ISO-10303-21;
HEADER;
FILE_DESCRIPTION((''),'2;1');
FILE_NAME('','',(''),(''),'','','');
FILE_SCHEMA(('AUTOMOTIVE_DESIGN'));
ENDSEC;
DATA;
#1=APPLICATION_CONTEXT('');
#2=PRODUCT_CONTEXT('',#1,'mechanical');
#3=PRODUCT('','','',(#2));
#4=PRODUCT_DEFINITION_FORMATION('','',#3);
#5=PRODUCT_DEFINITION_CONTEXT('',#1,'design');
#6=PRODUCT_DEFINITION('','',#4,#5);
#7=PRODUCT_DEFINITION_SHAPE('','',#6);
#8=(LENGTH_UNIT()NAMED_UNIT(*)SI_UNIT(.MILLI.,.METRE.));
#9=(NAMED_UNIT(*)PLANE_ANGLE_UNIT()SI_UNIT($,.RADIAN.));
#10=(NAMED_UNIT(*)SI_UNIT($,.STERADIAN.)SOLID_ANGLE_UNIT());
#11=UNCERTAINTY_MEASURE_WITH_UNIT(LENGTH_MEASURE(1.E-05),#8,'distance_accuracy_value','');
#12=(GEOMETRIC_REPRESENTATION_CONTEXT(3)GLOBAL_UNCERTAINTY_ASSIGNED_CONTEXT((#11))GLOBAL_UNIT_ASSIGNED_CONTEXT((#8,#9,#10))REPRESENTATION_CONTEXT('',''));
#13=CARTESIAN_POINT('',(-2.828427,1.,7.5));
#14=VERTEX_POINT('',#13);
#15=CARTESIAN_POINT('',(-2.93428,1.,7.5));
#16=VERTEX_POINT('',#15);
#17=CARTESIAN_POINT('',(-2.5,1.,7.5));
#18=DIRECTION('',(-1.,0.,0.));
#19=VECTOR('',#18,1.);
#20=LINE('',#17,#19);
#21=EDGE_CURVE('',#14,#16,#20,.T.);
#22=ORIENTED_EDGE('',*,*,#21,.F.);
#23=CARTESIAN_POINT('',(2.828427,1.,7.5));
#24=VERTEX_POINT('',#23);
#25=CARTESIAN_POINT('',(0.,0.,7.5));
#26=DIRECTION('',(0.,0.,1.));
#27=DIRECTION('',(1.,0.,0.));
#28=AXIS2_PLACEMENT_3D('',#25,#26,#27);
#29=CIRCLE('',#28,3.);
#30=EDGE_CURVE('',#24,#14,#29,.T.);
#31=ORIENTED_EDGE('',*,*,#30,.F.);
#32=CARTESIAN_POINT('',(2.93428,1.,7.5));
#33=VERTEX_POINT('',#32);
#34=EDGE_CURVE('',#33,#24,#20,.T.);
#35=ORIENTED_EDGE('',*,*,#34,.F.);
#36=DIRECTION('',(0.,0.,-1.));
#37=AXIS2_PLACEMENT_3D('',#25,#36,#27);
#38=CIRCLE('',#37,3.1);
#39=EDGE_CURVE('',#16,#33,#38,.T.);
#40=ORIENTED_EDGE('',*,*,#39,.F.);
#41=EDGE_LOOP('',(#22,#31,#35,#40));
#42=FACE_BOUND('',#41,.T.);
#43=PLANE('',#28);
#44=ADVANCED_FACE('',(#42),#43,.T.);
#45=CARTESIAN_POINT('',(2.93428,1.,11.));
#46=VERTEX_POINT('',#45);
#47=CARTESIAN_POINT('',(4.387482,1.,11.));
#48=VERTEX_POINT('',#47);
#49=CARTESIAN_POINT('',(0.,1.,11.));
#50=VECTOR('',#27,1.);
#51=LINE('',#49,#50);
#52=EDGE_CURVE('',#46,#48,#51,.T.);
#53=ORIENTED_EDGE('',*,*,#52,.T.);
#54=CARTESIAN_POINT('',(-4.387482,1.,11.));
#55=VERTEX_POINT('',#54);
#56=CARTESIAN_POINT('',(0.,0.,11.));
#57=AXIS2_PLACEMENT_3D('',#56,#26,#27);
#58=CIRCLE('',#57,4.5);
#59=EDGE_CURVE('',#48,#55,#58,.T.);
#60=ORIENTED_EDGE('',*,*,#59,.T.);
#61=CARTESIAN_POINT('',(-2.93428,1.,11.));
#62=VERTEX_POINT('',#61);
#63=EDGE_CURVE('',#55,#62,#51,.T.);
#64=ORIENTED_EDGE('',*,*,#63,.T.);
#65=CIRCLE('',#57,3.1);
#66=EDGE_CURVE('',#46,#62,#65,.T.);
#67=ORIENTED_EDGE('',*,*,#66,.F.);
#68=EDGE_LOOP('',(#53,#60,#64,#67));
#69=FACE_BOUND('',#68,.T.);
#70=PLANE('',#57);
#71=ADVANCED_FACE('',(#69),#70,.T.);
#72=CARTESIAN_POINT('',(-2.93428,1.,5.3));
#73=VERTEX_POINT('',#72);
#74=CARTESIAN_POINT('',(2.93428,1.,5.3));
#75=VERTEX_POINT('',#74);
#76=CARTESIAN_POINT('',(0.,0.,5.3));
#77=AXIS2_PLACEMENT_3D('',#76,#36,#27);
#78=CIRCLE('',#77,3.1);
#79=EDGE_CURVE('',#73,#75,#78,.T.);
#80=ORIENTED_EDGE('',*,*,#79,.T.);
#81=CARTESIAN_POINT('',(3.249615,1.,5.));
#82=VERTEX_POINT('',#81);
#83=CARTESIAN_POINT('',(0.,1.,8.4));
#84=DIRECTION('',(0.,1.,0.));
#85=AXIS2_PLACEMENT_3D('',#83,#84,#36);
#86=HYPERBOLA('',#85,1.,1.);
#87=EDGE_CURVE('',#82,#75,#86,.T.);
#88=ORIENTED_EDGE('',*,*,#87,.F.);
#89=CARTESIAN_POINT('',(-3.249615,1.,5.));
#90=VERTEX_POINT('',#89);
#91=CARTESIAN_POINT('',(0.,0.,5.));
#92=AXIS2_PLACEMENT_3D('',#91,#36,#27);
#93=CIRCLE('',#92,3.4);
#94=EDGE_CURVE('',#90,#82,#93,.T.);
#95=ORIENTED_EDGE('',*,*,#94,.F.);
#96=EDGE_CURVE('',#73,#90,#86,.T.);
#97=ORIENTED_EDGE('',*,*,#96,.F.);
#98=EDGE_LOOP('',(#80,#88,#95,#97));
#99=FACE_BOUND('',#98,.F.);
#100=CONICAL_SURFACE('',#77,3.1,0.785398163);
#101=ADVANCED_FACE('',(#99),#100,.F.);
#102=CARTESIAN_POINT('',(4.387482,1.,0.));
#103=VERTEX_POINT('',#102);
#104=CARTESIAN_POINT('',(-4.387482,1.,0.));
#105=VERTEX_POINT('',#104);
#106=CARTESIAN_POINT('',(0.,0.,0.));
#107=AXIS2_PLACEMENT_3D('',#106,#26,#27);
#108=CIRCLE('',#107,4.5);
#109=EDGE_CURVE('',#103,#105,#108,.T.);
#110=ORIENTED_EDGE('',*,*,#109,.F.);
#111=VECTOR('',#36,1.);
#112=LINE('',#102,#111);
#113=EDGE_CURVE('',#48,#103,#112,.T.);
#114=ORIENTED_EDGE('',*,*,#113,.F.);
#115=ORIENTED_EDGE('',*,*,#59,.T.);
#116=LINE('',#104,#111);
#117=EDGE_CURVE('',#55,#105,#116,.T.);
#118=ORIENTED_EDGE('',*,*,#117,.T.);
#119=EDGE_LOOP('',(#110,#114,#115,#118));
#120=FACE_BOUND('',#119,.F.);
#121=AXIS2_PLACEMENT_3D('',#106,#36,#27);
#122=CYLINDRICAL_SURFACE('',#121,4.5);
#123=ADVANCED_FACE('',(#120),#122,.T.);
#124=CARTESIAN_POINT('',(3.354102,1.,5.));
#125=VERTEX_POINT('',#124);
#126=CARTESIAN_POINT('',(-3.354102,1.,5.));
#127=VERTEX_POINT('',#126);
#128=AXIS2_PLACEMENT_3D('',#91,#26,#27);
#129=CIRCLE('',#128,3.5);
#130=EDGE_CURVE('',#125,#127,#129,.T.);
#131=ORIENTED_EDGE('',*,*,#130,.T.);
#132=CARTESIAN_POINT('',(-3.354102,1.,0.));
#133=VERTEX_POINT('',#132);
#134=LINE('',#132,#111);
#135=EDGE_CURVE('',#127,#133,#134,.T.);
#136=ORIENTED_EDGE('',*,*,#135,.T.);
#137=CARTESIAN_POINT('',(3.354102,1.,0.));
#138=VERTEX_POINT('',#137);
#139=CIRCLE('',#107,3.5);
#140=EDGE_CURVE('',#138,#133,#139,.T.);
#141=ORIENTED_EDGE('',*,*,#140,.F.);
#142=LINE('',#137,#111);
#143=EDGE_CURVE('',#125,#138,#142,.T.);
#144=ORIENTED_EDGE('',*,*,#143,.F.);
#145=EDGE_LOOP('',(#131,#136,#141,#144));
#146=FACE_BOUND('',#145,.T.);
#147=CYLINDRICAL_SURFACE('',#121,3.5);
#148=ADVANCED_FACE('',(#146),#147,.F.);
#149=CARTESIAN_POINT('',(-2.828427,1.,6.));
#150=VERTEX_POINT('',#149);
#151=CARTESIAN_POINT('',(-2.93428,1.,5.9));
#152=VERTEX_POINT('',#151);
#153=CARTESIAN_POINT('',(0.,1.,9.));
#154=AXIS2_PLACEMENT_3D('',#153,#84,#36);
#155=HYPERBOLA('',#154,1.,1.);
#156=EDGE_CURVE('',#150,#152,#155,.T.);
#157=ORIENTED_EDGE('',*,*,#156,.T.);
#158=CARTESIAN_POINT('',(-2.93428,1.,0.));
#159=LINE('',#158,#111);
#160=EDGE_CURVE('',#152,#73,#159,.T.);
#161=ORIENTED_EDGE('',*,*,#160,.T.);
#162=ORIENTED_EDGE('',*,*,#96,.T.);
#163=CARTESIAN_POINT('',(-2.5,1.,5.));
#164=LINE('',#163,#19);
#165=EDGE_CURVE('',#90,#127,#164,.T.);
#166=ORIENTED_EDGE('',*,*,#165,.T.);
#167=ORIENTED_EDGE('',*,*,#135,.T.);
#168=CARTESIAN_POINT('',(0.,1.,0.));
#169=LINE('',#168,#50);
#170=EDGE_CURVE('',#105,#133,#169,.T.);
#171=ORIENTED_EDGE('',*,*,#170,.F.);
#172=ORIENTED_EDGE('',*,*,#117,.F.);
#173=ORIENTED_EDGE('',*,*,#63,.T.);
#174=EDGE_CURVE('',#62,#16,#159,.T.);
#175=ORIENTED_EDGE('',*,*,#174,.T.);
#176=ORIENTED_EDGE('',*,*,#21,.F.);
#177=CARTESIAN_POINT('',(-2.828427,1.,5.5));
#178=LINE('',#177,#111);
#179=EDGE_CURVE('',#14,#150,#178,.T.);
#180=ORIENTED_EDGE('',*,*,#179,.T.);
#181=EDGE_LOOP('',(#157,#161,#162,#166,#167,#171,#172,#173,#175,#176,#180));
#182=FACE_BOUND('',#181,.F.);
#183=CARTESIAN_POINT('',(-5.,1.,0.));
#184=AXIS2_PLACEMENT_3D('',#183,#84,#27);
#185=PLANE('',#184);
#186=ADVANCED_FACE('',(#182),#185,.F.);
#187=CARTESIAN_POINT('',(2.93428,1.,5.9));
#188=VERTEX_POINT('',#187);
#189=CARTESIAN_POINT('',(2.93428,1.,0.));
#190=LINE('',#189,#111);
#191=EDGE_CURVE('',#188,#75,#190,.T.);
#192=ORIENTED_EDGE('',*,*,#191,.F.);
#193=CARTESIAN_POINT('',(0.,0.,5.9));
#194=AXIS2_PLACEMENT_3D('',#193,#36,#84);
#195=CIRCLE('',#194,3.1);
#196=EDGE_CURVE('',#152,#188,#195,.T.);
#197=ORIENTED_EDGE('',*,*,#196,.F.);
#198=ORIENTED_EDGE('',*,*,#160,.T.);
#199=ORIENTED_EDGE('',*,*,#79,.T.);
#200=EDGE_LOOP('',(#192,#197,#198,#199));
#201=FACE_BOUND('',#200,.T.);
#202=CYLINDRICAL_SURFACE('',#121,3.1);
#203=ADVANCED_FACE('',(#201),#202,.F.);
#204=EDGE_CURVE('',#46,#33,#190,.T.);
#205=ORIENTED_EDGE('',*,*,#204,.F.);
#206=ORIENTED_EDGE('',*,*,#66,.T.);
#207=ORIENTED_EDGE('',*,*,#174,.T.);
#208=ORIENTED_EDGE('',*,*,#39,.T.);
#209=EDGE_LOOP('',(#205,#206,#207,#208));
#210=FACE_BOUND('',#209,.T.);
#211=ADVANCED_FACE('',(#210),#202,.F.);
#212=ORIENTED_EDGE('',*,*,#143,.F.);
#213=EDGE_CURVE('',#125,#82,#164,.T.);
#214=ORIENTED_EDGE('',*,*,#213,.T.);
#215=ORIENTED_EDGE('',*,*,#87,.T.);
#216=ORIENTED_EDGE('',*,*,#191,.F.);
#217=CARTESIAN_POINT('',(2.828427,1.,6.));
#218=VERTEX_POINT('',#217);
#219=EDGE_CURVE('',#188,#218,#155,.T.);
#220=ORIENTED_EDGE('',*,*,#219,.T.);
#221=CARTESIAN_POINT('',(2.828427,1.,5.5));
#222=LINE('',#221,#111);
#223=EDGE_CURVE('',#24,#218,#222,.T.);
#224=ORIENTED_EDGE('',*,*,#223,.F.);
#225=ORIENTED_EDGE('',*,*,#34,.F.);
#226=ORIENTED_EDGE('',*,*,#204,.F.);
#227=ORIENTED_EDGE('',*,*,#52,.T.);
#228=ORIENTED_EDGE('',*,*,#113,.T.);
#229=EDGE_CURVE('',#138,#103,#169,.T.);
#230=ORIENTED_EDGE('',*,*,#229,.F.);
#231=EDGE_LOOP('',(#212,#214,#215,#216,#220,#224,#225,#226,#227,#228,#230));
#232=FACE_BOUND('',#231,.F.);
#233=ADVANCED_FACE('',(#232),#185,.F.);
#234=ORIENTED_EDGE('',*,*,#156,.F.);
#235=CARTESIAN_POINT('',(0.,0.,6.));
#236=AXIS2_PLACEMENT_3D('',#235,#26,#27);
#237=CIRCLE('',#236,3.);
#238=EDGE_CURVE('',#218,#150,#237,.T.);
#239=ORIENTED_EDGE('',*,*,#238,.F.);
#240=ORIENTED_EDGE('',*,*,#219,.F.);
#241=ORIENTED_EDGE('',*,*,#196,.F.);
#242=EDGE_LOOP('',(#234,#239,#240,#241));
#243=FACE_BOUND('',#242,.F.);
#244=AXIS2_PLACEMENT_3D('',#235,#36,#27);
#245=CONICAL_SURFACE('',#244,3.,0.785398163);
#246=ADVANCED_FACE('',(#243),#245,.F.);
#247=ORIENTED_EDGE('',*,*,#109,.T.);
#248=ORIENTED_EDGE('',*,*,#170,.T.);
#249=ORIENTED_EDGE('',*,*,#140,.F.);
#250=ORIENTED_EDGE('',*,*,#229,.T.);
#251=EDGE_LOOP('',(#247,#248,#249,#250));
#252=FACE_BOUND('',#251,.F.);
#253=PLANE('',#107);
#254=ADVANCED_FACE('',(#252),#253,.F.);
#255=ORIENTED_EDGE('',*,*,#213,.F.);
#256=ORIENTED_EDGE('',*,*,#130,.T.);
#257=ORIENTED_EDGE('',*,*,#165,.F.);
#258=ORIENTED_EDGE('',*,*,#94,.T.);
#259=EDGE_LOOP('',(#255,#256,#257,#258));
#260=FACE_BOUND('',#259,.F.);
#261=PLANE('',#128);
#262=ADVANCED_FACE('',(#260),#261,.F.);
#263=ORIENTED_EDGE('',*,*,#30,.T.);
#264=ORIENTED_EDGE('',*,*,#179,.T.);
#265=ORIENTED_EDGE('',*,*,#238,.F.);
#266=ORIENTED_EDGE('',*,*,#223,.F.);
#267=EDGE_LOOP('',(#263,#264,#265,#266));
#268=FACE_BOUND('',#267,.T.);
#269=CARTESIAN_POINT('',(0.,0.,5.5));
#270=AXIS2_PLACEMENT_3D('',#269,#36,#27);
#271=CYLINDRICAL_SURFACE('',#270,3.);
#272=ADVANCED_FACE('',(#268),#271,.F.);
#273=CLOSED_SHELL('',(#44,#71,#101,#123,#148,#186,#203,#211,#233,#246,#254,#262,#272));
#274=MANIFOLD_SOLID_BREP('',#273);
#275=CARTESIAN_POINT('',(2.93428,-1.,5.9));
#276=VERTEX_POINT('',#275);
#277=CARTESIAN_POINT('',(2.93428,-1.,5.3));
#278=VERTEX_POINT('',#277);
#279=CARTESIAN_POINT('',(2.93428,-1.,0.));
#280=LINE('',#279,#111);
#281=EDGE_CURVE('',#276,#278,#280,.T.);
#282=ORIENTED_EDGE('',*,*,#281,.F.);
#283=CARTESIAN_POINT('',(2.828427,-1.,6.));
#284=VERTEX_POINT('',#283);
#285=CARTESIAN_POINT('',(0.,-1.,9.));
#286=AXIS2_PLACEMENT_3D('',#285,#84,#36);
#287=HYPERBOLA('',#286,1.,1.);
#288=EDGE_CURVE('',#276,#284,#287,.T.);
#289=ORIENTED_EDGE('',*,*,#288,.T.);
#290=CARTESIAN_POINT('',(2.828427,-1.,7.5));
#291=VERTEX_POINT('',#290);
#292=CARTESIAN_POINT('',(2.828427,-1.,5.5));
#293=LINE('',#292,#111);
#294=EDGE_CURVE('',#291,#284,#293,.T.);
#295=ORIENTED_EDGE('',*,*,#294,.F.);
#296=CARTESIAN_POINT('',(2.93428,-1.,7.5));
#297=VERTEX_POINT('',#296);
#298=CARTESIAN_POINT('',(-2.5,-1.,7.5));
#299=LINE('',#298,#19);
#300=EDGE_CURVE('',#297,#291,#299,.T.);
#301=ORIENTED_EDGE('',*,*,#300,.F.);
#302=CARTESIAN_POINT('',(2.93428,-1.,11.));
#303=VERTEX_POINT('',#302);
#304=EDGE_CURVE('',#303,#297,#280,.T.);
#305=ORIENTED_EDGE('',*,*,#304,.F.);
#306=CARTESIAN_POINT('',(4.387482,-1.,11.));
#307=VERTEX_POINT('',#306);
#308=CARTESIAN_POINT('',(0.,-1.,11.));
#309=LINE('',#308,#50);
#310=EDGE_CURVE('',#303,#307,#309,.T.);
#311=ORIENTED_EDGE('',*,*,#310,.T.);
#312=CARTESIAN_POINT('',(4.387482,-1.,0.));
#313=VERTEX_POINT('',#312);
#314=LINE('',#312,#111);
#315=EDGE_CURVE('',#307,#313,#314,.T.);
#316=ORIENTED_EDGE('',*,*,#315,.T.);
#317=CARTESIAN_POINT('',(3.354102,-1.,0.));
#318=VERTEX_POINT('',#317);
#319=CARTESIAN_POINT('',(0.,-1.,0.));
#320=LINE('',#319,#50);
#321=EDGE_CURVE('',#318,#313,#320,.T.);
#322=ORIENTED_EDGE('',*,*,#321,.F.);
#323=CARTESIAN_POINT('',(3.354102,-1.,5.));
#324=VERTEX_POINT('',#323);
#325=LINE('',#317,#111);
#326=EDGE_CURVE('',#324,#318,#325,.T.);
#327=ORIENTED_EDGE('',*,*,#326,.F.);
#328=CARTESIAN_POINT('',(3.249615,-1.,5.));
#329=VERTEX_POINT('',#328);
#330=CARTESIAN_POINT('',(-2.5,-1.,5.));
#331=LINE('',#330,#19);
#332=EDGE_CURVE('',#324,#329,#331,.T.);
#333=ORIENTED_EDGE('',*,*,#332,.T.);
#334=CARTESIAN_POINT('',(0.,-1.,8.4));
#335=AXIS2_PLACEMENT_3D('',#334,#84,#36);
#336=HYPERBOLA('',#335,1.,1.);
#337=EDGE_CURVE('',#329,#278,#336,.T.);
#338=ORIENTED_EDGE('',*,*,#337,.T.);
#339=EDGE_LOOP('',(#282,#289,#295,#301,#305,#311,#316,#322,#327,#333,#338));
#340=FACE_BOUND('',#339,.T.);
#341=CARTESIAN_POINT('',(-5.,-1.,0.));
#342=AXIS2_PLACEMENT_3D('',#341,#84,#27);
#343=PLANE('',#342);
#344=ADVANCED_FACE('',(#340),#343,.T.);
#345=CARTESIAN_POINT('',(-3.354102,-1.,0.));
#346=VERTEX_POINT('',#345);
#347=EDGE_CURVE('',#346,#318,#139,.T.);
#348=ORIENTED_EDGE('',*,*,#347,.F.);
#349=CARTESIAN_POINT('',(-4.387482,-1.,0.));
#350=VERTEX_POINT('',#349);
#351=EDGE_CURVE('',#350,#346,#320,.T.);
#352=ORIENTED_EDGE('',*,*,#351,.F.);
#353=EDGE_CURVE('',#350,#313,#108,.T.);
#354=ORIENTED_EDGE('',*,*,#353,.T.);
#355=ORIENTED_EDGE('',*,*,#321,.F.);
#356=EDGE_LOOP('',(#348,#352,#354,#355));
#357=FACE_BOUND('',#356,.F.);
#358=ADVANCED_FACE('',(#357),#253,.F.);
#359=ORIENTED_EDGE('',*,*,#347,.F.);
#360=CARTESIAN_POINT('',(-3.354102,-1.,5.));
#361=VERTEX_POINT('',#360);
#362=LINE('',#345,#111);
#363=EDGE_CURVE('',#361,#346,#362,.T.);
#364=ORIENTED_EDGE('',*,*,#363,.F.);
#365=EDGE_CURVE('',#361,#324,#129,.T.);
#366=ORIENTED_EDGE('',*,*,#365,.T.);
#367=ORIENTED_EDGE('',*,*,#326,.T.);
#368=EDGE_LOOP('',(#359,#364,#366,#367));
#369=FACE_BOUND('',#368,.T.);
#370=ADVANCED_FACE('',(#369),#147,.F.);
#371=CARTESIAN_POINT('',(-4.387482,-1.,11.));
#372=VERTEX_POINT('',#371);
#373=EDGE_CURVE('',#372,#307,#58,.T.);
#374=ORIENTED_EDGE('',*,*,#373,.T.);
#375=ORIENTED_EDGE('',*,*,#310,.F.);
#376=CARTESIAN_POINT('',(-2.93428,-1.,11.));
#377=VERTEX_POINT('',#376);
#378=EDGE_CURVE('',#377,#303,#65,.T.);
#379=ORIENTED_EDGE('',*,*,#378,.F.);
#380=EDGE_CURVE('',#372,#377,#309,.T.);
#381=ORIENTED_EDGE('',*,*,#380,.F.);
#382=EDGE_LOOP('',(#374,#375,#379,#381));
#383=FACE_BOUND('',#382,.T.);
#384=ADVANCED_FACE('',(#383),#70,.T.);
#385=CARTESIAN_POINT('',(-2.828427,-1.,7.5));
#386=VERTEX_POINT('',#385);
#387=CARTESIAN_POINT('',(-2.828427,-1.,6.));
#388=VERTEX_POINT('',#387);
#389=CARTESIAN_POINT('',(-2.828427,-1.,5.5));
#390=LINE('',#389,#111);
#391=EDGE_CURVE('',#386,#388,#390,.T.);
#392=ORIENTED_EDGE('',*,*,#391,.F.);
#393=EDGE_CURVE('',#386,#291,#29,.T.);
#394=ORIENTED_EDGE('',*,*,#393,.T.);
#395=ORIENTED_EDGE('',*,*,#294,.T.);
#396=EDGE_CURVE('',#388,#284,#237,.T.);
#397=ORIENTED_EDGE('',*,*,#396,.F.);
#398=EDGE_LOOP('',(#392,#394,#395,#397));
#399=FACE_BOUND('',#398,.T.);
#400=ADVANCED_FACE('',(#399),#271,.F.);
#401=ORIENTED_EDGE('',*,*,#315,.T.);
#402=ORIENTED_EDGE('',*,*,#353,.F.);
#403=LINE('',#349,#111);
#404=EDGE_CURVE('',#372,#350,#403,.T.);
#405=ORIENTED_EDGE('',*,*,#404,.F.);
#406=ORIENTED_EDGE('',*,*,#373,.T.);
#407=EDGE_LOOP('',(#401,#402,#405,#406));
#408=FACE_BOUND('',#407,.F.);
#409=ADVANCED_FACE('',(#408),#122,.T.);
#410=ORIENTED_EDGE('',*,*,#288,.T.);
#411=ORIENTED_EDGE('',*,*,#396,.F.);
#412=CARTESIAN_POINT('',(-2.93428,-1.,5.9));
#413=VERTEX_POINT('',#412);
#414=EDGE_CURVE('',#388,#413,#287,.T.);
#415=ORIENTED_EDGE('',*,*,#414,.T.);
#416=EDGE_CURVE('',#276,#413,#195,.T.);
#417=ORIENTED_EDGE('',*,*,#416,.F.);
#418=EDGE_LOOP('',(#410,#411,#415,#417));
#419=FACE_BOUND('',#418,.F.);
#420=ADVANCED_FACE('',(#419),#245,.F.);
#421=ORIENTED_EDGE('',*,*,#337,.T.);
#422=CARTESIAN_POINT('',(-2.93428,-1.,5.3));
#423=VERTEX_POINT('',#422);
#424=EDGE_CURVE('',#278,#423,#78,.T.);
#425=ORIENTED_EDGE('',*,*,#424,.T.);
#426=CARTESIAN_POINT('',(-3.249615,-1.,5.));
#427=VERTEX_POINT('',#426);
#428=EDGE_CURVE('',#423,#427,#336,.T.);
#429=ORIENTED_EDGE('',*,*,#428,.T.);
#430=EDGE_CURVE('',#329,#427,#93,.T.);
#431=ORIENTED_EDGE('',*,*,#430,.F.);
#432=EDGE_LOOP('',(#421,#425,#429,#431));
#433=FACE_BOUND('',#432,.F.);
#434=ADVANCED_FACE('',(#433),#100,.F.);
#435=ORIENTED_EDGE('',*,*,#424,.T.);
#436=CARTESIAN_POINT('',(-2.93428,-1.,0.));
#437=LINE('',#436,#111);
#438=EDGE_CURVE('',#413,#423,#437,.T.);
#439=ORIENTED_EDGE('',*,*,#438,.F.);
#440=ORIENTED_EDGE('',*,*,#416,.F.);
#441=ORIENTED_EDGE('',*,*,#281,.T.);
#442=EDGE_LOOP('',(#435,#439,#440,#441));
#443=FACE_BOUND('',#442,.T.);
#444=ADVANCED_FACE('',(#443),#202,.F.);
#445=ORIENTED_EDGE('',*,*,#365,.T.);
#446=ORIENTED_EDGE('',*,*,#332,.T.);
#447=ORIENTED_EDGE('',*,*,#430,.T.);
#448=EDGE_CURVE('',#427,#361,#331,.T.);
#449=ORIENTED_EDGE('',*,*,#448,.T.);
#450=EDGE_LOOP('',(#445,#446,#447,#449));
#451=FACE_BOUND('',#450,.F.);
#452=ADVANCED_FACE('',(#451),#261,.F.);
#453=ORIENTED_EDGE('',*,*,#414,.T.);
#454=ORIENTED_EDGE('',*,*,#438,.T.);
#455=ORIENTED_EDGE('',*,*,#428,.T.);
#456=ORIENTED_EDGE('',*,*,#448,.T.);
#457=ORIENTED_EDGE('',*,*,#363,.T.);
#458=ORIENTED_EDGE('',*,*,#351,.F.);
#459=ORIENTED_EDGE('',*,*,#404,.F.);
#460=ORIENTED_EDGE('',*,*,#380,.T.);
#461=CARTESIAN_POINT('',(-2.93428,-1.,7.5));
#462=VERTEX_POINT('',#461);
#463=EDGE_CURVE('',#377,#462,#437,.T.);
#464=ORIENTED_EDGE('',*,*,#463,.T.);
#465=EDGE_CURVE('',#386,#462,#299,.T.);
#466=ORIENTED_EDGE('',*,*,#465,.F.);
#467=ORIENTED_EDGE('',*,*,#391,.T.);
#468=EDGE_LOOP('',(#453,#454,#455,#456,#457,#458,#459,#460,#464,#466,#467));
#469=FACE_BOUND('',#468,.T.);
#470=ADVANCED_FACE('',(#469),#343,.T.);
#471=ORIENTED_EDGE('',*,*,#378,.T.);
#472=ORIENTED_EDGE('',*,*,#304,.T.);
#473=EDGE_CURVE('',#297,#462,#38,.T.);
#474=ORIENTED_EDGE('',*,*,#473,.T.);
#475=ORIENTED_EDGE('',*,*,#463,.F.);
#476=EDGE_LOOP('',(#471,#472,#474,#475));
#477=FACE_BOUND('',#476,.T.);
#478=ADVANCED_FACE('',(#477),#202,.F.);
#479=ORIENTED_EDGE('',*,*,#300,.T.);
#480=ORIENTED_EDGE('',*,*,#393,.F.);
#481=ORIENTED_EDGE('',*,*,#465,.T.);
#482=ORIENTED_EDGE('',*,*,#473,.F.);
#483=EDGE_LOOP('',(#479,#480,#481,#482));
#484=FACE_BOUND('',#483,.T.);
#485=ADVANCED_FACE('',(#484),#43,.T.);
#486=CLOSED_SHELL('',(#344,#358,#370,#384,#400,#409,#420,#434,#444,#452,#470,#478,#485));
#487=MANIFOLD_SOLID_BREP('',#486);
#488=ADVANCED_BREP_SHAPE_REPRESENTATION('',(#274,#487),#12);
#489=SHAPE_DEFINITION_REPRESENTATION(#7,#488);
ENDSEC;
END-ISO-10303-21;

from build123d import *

# Parameters (mm, degrees)
BOX005_W          = 10
BOX005_H          = 2
BOX005_DEPTH      = 10
CYLINDER010_R     = 3
CYLINDER010_DEPTH = 2
CYLINDER011_R     = 4
CYLINDER011_DEPTH = 2
CHAMFER005_SIZE   = 0.5
BOX001_W          = 10
BOX001_H          = 2
BOX001_DEPTH      = 11
CYLINDER002_R     = 3.5
CYLINDER002_DEPTH = 5
CYLINDER001_R     = 3.1
CYLINDER001_DEPTH = 11
CYLINDER_R        = 4.5
CYLINDER_DEPTH    = 11
CHAMFER_SIZE      = 0.3


with BuildPart() as cube005:
    # Box005 → Box005 (new body)
    with BuildSketch(Plane(origin=(-5, -1, 0), x_dir=(1, 0, 0), z_dir=(0, 0, 1))):
        with Locations((5, 1)):
            Rectangle(BOX005_W, BOX005_H)
    extrude(amount=BOX005_DEPTH)


with BuildPart() as cylinder010:
    # Cylinder010 → Cylinder010 (new body)
    with BuildSketch(Plane.XY):
        Circle(CYLINDER010_R)
    extrude(amount=CYLINDER010_DEPTH)


with BuildPart() as cut015:
    # Cylinder011 → Cylinder011 (new body)
    with BuildSketch(Plane.XY):
        Circle(CYLINDER011_R)
    extrude(amount=CYLINDER011_DEPTH)

    # Cut014: cut Cylinder010
    add(cylinder010.part, mode=Mode.SUBTRACT)


with BuildPart() as cut015_1:
    # Cut014 placement: moved
    add(cut015.part.moved(Location((0, 0, 5.5))))

    # Chamfer005
    chamfer005_edges = [cut015_1.edges().sort_by_distance(p)[0] for p in [
        (-3, 0, 5.5),
    ]]
    chamfer(chamfer005_edges, length=CHAMFER005_SIZE)

    # Cut015: cut Cube005
    add(cube005.part, mode=Mode.SUBTRACT)


with BuildPart() as cube001:
    # Box001 → Box001 (new body)
    with BuildSketch(Plane(origin=(-5, -1, 0), x_dir=(1, 0, 0), z_dir=(0, 0, 1))):
        with Locations((5, 1)):
            Rectangle(BOX001_W, BOX001_H)
    extrude(amount=BOX001_DEPTH)


with BuildPart() as cylinder002:
    # Cylinder002 → Cylinder002 (new body)
    with BuildSketch(Plane.XY):
        Circle(CYLINDER002_R)
    extrude(amount=CYLINDER002_DEPTH)


with BuildPart() as cylinder001:
    # Cylinder001 → Cylinder001 (new body)
    with BuildSketch(Plane.XY):
        Circle(CYLINDER001_R)
    extrude(amount=CYLINDER001_DEPTH)


with BuildPart() as fusion002:
    # Cylinder → Cylinder (new body)
    with BuildSketch(Plane.XY):
        Circle(CYLINDER_R)
    extrude(amount=CYLINDER_DEPTH)

    # Cut007: cut Cylinder001
    add(cylinder001.part, mode=Mode.SUBTRACT)

    # Cut008: cut Cylinder002
    add(cylinder002.part, mode=Mode.SUBTRACT)

    # Chamfer
    chamfer_edges = [fusion002.edges().sort_by_distance(p)[0] for p in [
        (-3.1, 0, 5),
    ]]
    chamfer(chamfer_edges, length=CHAMFER_SIZE)

    # Cut009: cut Cube001
    add(cube001.part, mode=Mode.SUBTRACT)

    # Fusion002: union Cut015
    add(cut015_1.part)


solid = fusion002.part
